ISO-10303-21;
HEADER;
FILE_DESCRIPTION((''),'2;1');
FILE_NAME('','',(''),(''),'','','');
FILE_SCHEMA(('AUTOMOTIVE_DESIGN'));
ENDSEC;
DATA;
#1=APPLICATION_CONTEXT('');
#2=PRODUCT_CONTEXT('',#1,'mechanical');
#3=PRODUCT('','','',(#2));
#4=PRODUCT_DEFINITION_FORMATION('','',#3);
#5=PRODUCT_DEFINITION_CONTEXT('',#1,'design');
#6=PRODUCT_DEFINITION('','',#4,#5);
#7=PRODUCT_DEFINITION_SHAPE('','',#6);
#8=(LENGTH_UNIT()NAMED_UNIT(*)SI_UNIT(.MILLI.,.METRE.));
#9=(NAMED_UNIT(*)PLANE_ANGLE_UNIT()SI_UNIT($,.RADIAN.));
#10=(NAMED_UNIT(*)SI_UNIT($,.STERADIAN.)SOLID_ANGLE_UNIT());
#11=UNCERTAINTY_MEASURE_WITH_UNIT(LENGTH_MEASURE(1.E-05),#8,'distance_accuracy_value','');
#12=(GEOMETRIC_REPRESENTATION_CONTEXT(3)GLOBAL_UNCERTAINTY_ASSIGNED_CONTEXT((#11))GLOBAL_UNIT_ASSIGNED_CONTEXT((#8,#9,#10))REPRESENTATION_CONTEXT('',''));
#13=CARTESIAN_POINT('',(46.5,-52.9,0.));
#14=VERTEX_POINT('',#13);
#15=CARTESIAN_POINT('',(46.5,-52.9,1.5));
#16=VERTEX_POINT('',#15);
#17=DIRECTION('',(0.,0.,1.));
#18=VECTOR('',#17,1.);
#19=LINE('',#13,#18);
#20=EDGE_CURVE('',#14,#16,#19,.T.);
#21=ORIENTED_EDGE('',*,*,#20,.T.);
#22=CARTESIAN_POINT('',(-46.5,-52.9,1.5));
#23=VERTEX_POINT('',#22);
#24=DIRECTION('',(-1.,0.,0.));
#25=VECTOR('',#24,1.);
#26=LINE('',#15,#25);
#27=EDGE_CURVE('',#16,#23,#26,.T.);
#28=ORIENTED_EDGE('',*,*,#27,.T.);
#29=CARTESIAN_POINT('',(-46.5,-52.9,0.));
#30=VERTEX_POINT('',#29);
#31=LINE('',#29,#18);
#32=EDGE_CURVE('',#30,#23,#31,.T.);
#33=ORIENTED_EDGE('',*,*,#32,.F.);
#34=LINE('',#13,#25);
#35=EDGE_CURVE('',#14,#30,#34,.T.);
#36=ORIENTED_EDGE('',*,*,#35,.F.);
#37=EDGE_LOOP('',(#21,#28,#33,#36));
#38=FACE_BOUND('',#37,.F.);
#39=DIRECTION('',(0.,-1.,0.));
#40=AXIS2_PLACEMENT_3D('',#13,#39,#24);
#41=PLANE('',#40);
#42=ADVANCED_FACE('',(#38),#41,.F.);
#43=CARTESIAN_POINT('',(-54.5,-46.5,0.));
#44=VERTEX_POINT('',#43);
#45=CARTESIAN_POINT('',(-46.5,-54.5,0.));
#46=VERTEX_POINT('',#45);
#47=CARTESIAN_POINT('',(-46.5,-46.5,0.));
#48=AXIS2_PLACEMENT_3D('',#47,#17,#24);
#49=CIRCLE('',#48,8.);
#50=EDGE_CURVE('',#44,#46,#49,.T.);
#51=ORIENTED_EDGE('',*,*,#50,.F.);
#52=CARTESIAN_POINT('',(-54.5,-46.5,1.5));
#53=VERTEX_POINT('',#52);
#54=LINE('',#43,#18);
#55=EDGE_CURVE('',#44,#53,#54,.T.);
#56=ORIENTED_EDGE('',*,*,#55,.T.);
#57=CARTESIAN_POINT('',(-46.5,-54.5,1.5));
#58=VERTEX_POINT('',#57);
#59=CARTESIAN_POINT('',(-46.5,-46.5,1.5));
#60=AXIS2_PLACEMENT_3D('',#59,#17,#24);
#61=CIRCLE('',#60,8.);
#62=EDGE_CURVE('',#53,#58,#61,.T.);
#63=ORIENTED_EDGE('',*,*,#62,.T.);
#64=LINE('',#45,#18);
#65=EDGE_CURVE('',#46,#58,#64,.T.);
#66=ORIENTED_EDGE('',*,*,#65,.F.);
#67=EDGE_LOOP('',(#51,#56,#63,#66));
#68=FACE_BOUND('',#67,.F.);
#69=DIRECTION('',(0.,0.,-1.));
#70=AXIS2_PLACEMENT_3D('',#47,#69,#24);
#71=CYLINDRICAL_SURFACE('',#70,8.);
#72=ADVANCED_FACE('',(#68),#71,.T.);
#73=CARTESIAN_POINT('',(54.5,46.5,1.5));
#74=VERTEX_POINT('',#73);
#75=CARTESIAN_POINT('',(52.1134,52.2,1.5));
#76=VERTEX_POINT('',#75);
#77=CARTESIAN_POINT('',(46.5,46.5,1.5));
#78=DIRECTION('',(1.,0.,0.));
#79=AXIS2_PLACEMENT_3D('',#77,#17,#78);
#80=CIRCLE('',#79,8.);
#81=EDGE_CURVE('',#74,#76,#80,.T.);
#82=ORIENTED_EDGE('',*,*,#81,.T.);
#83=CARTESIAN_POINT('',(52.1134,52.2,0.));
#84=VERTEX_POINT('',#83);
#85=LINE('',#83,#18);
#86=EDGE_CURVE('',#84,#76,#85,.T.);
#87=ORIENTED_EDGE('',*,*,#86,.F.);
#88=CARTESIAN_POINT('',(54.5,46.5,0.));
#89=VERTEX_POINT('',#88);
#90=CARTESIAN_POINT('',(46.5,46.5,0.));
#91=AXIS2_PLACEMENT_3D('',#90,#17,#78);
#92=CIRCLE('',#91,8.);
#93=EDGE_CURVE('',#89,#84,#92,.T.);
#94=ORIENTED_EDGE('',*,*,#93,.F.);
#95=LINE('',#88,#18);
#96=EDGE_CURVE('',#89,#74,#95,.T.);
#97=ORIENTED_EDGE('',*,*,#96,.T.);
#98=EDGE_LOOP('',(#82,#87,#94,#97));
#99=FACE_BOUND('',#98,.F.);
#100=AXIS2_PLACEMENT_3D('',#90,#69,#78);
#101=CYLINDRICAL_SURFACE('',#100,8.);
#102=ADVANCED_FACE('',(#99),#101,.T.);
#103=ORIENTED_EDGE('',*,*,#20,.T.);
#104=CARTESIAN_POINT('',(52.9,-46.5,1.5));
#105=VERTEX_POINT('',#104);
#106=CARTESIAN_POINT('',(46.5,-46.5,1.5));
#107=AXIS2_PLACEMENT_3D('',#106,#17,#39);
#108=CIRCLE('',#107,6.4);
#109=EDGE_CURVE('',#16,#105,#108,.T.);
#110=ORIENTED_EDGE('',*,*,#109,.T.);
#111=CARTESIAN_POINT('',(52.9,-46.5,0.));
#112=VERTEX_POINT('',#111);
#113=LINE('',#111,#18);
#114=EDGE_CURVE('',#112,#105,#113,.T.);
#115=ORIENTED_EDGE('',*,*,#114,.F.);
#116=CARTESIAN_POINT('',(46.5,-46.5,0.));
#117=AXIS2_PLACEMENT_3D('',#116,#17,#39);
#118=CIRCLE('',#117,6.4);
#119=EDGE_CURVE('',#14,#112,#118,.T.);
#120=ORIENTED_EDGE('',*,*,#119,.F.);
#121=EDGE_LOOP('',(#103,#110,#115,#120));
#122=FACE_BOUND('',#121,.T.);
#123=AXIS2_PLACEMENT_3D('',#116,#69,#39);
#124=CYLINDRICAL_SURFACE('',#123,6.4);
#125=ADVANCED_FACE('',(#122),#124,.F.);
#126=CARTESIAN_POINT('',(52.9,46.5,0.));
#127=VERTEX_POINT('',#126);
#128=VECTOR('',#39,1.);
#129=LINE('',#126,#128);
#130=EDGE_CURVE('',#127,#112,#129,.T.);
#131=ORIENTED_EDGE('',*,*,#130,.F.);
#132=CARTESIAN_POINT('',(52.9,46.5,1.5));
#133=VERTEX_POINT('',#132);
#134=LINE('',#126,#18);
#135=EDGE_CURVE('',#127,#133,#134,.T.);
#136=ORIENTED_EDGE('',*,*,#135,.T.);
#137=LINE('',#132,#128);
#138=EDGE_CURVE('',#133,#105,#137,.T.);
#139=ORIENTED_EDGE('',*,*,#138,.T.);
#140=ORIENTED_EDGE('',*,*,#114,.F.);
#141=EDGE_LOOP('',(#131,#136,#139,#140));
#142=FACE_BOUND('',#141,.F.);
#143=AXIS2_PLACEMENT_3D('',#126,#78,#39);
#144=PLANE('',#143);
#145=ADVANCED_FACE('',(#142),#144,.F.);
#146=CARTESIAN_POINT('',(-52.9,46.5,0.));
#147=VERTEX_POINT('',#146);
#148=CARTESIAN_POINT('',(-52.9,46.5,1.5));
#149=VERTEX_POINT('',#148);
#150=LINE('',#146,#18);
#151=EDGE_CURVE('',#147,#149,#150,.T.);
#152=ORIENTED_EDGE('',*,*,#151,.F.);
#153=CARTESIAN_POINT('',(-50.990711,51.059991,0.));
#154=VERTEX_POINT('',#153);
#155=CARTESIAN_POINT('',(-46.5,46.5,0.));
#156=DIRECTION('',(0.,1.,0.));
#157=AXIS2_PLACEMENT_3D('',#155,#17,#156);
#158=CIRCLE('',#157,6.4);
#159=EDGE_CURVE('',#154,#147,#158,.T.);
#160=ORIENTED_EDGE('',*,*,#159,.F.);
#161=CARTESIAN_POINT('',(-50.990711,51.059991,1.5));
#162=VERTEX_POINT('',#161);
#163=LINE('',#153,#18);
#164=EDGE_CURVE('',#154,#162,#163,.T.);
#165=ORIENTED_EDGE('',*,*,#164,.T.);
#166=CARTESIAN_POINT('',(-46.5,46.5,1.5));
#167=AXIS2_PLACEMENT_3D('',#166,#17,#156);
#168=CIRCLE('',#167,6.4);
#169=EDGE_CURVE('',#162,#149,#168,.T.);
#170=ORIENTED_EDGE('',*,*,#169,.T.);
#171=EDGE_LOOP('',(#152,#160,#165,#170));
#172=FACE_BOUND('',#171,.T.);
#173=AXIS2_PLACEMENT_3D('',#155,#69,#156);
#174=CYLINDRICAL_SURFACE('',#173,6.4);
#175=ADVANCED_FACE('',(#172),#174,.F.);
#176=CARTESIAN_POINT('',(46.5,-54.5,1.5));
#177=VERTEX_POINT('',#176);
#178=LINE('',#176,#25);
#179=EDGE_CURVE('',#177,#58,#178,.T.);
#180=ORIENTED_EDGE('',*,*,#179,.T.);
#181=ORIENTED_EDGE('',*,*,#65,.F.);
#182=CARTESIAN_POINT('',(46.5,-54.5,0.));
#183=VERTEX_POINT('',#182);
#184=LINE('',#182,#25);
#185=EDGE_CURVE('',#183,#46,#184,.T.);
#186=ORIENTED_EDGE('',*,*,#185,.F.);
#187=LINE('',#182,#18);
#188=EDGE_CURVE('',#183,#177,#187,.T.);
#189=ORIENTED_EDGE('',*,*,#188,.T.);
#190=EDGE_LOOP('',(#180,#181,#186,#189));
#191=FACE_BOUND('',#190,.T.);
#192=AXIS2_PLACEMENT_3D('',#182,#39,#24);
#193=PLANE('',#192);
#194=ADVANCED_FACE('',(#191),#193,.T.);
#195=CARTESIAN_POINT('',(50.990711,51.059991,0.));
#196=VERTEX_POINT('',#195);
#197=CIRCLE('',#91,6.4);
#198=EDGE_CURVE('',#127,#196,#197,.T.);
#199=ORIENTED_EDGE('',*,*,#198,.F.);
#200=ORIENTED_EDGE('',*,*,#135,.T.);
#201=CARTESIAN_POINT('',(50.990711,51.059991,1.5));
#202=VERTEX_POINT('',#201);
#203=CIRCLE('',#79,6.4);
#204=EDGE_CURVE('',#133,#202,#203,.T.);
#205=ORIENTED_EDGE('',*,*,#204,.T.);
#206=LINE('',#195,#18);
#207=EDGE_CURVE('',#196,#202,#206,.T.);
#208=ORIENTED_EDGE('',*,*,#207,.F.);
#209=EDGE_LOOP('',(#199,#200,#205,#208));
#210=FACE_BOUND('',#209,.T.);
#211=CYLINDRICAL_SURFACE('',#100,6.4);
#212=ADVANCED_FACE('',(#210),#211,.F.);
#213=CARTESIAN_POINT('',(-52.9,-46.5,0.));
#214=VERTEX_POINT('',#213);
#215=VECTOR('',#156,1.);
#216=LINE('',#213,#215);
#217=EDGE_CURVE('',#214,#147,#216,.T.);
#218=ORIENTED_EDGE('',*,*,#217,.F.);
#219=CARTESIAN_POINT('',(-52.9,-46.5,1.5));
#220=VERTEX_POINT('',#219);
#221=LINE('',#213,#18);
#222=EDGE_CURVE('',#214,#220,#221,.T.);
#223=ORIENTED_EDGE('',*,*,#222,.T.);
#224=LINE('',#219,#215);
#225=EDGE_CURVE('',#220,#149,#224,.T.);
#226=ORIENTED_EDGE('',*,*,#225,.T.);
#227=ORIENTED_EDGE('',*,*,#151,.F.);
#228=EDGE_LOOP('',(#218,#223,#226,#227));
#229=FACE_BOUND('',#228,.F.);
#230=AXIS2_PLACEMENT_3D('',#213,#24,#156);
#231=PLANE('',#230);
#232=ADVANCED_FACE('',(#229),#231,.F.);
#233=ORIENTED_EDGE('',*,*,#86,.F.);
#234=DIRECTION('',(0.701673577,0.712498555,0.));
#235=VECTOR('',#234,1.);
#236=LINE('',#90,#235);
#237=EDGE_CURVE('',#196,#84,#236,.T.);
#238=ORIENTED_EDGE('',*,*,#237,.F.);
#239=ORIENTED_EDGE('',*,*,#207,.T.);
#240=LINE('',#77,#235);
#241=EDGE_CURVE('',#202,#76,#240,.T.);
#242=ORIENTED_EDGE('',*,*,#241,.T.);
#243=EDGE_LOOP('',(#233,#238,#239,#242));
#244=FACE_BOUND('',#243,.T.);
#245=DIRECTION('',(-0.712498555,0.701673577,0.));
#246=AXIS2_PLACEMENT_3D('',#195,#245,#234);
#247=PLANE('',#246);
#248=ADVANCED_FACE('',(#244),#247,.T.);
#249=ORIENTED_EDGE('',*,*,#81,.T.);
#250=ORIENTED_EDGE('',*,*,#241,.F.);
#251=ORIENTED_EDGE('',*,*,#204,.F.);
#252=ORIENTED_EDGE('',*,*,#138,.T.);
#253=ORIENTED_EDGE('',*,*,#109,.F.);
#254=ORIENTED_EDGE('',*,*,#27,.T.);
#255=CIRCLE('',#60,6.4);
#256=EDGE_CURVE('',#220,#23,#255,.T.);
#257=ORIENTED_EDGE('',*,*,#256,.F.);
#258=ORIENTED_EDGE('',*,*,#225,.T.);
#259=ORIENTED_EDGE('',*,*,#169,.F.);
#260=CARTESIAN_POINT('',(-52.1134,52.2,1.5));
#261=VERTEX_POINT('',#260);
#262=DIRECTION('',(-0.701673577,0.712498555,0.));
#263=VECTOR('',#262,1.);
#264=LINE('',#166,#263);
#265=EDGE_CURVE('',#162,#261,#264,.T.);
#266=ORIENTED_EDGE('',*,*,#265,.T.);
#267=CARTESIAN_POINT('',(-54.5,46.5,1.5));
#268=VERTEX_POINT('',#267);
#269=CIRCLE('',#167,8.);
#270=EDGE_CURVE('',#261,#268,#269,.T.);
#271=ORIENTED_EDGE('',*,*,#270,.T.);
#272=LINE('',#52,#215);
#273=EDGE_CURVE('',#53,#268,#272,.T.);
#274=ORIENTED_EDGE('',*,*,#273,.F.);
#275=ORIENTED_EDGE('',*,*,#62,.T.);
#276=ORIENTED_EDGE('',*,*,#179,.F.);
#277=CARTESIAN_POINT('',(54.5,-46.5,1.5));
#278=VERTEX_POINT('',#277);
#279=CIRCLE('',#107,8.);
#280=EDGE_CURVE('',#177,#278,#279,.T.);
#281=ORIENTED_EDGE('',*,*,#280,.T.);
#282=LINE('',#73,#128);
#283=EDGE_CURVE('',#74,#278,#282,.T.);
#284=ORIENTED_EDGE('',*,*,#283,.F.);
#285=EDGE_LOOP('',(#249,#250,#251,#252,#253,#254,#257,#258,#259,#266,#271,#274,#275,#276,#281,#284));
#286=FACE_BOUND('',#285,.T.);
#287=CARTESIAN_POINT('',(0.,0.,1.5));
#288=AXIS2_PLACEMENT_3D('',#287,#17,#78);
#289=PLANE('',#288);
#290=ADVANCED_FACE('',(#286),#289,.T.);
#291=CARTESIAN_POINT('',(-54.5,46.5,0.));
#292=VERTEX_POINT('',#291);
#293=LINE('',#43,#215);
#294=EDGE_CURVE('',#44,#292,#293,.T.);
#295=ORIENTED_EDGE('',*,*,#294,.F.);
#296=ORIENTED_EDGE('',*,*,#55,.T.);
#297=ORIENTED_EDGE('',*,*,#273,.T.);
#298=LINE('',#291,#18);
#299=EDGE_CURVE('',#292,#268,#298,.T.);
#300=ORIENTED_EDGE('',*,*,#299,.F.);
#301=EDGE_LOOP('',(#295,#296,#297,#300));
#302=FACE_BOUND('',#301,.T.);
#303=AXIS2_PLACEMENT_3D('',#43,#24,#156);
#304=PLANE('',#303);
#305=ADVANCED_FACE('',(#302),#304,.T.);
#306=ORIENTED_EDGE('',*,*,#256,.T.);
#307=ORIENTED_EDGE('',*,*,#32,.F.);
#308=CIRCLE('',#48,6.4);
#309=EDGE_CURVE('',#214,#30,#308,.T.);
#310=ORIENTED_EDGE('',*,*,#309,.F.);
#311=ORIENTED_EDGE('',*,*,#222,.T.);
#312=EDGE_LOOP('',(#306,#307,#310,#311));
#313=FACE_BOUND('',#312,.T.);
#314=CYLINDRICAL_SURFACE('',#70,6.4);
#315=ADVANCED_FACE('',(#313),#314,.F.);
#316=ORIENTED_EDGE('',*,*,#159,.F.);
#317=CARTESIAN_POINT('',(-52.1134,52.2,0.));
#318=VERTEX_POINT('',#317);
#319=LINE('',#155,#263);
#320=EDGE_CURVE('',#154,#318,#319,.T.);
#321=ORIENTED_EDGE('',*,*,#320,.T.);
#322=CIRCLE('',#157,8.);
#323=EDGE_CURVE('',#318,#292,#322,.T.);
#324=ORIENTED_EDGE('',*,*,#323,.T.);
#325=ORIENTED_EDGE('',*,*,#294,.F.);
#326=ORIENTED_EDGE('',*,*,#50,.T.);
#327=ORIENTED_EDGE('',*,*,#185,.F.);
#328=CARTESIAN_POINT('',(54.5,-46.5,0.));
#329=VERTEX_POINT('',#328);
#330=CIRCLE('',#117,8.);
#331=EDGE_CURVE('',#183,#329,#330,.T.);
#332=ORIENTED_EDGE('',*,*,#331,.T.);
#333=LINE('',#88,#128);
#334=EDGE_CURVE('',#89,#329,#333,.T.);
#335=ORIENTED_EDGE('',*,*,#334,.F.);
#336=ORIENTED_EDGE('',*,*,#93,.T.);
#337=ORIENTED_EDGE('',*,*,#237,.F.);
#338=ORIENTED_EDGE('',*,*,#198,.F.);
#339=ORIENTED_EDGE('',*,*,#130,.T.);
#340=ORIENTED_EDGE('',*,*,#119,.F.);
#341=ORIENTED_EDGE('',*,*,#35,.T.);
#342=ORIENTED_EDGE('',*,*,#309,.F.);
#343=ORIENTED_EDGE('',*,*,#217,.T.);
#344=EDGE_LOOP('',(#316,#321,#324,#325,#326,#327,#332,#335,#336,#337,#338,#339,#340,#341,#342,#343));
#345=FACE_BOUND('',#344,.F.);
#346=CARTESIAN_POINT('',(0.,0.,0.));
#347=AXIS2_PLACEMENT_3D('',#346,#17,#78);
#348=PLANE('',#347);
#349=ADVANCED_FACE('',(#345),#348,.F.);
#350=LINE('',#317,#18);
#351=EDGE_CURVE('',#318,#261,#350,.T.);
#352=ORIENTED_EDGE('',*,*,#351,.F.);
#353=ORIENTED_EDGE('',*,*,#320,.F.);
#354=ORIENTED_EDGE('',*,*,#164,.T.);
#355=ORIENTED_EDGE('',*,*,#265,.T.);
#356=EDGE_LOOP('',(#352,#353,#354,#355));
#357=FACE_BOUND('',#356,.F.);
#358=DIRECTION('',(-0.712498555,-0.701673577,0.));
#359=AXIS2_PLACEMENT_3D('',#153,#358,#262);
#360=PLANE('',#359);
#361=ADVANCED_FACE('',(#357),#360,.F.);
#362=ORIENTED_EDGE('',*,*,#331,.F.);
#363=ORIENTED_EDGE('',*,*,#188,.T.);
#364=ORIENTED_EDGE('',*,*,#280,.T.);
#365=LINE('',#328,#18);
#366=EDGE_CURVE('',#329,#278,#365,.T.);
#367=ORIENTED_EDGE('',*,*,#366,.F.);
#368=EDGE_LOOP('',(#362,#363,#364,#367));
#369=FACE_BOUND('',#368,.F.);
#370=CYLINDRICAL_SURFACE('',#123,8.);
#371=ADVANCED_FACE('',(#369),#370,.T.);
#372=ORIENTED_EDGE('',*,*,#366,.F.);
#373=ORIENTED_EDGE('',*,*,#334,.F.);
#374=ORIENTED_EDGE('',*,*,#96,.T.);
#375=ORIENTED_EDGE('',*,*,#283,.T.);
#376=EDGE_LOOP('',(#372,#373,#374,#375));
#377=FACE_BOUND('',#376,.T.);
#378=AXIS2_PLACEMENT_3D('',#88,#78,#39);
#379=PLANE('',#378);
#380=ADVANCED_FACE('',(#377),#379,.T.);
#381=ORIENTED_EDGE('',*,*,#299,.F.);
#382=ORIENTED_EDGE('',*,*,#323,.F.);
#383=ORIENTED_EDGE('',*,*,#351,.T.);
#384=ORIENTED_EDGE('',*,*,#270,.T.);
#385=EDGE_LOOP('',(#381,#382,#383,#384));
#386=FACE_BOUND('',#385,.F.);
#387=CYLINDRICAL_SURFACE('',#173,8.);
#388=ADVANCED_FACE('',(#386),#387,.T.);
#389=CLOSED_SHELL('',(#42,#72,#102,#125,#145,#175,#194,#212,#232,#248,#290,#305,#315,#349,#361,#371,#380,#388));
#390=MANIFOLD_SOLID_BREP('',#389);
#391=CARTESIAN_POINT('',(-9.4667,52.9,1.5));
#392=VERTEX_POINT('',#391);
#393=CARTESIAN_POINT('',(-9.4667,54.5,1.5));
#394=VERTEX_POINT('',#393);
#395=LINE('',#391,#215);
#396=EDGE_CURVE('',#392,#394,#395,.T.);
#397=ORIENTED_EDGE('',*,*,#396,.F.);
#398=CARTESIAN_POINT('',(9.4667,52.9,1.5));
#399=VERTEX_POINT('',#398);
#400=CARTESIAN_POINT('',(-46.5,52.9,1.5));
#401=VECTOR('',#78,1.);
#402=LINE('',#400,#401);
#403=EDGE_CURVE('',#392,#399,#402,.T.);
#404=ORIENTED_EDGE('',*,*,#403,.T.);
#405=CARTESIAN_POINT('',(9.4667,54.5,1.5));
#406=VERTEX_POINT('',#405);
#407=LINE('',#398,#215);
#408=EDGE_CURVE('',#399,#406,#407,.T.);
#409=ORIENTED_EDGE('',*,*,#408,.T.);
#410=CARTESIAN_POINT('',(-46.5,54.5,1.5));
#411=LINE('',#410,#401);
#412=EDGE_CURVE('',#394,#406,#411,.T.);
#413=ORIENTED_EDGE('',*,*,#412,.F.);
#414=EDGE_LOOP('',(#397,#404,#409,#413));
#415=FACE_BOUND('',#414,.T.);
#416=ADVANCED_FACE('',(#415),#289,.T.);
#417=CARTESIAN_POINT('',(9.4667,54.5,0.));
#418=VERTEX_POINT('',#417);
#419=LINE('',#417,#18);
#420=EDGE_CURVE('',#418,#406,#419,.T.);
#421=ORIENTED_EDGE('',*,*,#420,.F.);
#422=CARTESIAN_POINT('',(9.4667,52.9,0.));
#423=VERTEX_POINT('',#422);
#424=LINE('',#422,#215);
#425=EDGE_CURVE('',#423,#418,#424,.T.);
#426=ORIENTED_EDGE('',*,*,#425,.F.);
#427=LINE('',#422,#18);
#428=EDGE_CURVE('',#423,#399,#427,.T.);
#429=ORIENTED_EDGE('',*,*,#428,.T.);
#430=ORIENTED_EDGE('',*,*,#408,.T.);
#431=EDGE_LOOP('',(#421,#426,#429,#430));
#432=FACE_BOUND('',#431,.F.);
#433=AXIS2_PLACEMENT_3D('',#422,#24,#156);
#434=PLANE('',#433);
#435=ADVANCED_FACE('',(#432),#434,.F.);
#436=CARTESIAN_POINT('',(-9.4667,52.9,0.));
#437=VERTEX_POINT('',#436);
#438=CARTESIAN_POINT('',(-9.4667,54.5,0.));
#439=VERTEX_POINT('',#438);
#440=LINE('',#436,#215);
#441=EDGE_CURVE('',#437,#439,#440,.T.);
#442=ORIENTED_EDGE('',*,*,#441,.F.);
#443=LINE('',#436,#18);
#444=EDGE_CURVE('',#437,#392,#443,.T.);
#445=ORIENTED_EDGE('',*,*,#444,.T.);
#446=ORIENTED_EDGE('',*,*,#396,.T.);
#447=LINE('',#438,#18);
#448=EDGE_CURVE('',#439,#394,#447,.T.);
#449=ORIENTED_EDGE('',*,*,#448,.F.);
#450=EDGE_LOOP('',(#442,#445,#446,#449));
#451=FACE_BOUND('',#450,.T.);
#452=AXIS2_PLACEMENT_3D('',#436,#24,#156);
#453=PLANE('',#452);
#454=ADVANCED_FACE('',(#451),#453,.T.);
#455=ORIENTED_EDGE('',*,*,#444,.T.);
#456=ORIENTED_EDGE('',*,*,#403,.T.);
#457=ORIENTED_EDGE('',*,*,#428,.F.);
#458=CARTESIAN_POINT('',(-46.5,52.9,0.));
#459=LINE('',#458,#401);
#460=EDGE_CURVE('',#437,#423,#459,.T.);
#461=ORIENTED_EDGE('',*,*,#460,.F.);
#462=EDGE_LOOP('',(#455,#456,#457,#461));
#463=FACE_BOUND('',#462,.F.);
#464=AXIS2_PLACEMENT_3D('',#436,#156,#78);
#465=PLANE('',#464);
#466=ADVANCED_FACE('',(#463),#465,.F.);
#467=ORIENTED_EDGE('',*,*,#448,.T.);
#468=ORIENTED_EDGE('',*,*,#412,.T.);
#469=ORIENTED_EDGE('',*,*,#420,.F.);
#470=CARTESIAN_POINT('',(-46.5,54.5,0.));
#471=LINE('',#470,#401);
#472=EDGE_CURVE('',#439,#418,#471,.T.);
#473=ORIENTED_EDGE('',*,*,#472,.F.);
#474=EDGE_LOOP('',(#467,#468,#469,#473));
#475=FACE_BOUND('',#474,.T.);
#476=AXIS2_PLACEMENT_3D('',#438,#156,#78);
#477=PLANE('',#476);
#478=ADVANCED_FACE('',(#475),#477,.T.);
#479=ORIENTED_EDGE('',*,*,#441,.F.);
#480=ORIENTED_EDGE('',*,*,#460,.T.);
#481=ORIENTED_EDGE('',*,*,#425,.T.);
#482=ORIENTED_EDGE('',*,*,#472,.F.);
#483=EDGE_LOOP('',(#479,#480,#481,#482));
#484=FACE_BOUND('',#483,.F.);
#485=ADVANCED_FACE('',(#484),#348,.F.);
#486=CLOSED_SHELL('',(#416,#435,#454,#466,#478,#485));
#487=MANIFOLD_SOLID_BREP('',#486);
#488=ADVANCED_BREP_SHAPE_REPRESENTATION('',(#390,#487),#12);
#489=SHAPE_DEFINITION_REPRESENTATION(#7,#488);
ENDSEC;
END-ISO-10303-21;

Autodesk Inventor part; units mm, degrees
ref_plane "YZ Plane" through (0, 0, 0) normal (1, 0, 0) x (0, 1, 0)
ref_plane "XZ Plane" through (0, 0, 0) normal (0, 1, 0) x (-1, 0, 0)
ref_plane "XY Plane" through (0, 0, 0) normal (0, 0, 1) x (1, 0, 0)
sketch "Náčrt1" plane through (0, 0, 0) normal (0, 0, 1) x (1, 0, 0)
  line L0 (-46.5, 54.5) -> (46.5, 54.5)
  line L1 (54.5, 46.5) -> (54.5, -46.5)
  line L2 (46.5, -54.5) -> (-46.5, -54.5)
  line L3 (-54.5, -46.5) -> (-54.5, 46.5)
  line L4 (-54.5, 54.5) -> (0, 0) construction
  line L5 (0, 0) -> (54.5, 54.5) construction
  line L6 (54.5, -54.5) -> (0, 0) construction
  arc A0 (-46.5, 54.5) -> (-54.5, 46.5) centre (-46.5, 46.5) ccw
  arc A1 (-54.5, -46.5) -> (-46.5, -54.5) centre (-46.5, -46.5) ccw
  arc A2 (46.5, -54.5) -> (54.5, -46.5) centre (46.5, -46.5) ccw
  arc A3 (54.5, 46.5) -> (46.5, 54.5) centre (46.5, 46.5) ccw
  line L7 (46.5, 53.7) -> (-46.5, 53.7) construction
  arc A4 (-46.5, 53.7) -> (-53.7, 46.5) centre (-46.5, 46.5) ccw construction
  line L8 (-53.7, 46.5) -> (-53.7, -46.5) construction
  arc A5 (-53.7, -46.5) -> (-46.5, -53.7) centre (-46.5, -46.5) ccw construction
  line L9 (-46.5, -53.7) -> (46.5, -53.7) construction
  arc A6 (46.5, -53.7) -> (53.7, -46.5) centre (46.5, -46.5) ccw construction
  line L10 (53.7, -46.5) -> (53.7, 46.5) construction
  arc A7 (53.7, 46.5) -> (46.5, 53.7) centre (46.5, 46.5) ccw construction
  line L11 (46.5, -52.9) -> (-46.5, -52.9)
  arc A8 (-52.9, -46.5) -> (-46.5, -52.9) centre (-46.5, -46.5) ccw
  line L12 (-52.9, -46.5) -> (-52.9, 46.5)
  arc A9 (-46.5, 52.9) -> (-52.9, 46.5) centre (-46.5, 46.5) ccw
  line L13 (-46.5, 52.9) -> (46.5, 52.9)
  arc A10 (52.9, 46.5) -> (46.5, 52.9) centre (46.5, 46.5) ccw
  line L14 (52.9, 46.5) -> (52.9, -46.5)
  arc A11 (46.5, -52.9) -> (52.9, -46.5) centre (46.5, -46.5) ccw
  line L15 (-46.5, 55.7) -> (46.5, 55.7) construction
  arc A12 (55.7, 46.5) -> (46.5, 55.7) centre (46.5, 46.5) ccw construction
  line L16 (55.7, 46.5) -> (55.7, -46.5) construction
  arc A13 (46.5, -55.7) -> (55.7, -46.5) centre (46.5, -46.5) ccw construction
  line L17 (46.5, -55.7) -> (-46.5, -55.7) construction
  arc A14 (-55.7, -46.5) -> (-46.5, -55.7) centre (-46.5, -46.5) ccw construction
  line L18 (-55.7, -46.5) -> (-55.7, 46.5) construction
  arc A15 (-46.5, 55.7) -> (-55.7, 46.5) centre (-46.5, 46.5) ccw construction
  line L19 (-54.5, 53) -> (54.5, 53) construction
  line L20 (46.5, 46.5) -> (52.1134, 52.2)
  line L21 (-46.5, 46.5) -> (-52.1134, 52.2)
  line L22 (9.4667, 52.9) -> (9.4667, 55.7)
  line L23 (-9.4667, 52.9) -> (-9.4667, 54.5)
  point P0 (50.9907, 51.06)
  point P1 (-50.9907, 51.06)
  point P2 (9.4667, 54.5)
  dimension "d0" = 109
  dimension "d1" = 109
  dimension "d2" = 8
  dimension "d3" = 0.8
  dimension "d4" = 0.8
  dimension "d5" = 2
  dimension "d6" = 2.7
  dimension "d7" = 0.8
  dimension "d8" = 0.8
  dimension "d10" = 37.0333
  dimension "d13" = 37.0333
extrude "Vysunutí1" add sketch "Náčrt1" along normal blind 1.5 contours L0 L22 L13 L23 | L21 A9 L12 A8 L11 A11 L14 A10 L20 A3 L1 A2 L2 A1 L3 A0
equation "\"d1\" = d0"
equation "\"d4\" = d3"
equation "\"d8\" = d7"
equation "\"d13\" = d10"
properties part number "sumec_box-seal"
